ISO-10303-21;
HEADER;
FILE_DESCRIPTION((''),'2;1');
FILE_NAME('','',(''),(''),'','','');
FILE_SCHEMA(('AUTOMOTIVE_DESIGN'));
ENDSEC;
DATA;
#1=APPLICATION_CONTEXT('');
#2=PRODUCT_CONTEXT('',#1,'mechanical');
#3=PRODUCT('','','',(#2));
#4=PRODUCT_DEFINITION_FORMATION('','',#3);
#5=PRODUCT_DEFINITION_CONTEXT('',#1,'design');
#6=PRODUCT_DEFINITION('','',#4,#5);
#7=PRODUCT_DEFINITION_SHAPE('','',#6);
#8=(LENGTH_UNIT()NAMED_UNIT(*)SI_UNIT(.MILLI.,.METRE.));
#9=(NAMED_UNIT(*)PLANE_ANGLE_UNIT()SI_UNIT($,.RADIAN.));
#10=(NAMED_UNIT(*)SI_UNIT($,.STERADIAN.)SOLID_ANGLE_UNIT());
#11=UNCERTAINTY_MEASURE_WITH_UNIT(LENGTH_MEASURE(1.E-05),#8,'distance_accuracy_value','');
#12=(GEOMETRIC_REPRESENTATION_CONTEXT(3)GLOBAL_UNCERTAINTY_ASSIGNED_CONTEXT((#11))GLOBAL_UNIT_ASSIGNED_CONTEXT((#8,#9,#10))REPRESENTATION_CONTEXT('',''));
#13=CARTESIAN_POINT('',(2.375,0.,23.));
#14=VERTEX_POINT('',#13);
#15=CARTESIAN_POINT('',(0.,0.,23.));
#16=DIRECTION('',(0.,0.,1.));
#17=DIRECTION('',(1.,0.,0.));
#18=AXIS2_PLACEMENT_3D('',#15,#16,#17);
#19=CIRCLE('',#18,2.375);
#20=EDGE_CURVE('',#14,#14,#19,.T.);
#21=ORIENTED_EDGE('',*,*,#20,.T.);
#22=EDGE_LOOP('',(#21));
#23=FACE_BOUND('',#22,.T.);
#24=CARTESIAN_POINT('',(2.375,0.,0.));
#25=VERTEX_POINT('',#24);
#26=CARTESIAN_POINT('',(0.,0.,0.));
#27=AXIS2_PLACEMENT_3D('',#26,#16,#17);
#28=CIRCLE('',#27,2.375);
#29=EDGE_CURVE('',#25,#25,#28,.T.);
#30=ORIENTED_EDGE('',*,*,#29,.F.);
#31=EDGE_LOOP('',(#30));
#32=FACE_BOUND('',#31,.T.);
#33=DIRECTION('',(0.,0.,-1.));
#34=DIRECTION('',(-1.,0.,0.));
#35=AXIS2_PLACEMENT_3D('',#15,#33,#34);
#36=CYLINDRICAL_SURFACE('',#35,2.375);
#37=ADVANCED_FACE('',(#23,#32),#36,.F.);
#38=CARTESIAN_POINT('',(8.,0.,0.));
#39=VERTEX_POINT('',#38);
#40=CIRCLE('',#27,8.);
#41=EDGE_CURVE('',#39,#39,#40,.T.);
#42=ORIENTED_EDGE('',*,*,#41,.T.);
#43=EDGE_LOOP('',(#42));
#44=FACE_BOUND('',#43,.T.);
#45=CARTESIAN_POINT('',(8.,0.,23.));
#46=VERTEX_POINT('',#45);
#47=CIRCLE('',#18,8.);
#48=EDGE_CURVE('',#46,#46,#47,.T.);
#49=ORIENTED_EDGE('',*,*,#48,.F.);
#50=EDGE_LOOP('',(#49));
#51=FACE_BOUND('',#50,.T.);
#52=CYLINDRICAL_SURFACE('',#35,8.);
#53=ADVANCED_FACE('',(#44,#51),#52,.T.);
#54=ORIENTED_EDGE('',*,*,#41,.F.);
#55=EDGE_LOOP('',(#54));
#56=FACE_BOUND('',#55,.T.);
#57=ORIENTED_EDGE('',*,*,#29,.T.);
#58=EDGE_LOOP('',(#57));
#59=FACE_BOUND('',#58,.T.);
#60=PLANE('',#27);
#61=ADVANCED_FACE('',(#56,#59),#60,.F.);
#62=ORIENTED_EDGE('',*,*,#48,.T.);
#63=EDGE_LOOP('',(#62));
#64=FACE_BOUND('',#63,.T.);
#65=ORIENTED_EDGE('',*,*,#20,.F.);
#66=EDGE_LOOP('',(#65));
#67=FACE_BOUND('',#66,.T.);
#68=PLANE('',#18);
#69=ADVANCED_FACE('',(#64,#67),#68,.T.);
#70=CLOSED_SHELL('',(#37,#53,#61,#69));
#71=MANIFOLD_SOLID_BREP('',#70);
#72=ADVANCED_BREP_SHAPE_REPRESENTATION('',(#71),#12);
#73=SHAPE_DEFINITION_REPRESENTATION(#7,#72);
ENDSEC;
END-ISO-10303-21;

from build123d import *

# Parameters (mm, degrees)
SKETCH1_R           = 8
SKETCH1_R_2         = 2.375
BOSS_EXTRUDE1_DEPTH = 23


with BuildPart() as part:
    # Sketch1 → Boss-Extrude1 (new body)
    with BuildSketch(Plane.XY):
        Circle(SKETCH1_R)
        Circle(SKETCH1_R_2, mode=Mode.SUBTRACT)
    extrude(amount=BOSS_EXTRUDE1_DEPTH)


solid = part.part
